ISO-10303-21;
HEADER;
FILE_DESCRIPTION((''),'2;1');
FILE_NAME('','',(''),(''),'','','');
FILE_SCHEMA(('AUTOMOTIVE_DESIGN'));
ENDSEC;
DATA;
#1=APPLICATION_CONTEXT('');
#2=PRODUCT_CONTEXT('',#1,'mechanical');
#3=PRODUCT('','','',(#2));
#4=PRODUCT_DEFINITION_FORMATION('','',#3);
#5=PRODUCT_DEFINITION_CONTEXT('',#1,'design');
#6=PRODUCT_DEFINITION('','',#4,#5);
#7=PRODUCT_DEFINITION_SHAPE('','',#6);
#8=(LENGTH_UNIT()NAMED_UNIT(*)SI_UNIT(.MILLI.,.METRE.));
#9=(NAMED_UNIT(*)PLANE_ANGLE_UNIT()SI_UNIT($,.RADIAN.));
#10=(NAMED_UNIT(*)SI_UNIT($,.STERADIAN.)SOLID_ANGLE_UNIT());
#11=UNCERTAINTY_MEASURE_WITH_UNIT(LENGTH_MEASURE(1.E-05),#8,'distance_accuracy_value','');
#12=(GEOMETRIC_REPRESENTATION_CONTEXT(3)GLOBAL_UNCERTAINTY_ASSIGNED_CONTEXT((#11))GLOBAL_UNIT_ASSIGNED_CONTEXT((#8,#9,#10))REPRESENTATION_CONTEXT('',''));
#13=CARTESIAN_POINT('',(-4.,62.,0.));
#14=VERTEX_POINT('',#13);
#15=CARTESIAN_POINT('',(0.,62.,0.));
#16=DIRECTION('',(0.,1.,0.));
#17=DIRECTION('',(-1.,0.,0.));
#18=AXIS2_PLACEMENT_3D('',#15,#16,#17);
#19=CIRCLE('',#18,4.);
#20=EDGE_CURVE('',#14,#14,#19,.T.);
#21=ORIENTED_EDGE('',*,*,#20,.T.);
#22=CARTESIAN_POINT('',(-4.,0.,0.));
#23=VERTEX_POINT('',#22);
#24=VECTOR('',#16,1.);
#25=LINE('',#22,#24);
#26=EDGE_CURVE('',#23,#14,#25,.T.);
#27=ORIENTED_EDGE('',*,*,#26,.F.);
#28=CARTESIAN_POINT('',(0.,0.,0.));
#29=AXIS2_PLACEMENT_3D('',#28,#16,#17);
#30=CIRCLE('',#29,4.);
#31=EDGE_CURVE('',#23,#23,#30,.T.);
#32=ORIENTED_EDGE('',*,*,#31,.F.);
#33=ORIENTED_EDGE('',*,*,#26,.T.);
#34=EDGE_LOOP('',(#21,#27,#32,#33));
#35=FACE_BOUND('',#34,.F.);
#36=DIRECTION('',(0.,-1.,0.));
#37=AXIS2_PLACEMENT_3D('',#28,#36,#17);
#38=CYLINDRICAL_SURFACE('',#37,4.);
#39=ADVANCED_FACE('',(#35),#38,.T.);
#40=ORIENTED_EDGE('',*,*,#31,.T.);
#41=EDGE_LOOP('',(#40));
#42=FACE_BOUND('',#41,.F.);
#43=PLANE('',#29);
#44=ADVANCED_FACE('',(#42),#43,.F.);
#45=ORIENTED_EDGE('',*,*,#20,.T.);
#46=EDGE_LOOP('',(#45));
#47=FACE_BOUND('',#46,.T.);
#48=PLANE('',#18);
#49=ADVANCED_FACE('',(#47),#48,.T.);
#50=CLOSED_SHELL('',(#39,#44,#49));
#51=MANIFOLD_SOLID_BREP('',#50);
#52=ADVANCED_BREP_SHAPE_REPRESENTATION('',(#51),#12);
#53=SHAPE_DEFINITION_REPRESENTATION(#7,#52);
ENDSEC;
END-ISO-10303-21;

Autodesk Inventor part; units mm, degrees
ref_plane "YZ Plane" through (0, 0, 0) normal (1, 0, 0) x (0, 1, 0)
ref_plane "XZ Plane" through (0, 0, 0) normal (0, 1, 0) x (-1, 0, 0)
ref_plane "XY Plane" through (0, 0, 0) normal (0, 0, 1) x (1, 0, 0)
sketch "Sketch1" plane through (0, 0, 0) normal (0, 1, 0) x (-1, 0, 0)
  circle A0 centre (0, 0) radius 4
  dimension "d0" = 8
extrude "Extrusion1" add sketch "Sketch1" along normal blind 62
properties part number "separa_boca"
